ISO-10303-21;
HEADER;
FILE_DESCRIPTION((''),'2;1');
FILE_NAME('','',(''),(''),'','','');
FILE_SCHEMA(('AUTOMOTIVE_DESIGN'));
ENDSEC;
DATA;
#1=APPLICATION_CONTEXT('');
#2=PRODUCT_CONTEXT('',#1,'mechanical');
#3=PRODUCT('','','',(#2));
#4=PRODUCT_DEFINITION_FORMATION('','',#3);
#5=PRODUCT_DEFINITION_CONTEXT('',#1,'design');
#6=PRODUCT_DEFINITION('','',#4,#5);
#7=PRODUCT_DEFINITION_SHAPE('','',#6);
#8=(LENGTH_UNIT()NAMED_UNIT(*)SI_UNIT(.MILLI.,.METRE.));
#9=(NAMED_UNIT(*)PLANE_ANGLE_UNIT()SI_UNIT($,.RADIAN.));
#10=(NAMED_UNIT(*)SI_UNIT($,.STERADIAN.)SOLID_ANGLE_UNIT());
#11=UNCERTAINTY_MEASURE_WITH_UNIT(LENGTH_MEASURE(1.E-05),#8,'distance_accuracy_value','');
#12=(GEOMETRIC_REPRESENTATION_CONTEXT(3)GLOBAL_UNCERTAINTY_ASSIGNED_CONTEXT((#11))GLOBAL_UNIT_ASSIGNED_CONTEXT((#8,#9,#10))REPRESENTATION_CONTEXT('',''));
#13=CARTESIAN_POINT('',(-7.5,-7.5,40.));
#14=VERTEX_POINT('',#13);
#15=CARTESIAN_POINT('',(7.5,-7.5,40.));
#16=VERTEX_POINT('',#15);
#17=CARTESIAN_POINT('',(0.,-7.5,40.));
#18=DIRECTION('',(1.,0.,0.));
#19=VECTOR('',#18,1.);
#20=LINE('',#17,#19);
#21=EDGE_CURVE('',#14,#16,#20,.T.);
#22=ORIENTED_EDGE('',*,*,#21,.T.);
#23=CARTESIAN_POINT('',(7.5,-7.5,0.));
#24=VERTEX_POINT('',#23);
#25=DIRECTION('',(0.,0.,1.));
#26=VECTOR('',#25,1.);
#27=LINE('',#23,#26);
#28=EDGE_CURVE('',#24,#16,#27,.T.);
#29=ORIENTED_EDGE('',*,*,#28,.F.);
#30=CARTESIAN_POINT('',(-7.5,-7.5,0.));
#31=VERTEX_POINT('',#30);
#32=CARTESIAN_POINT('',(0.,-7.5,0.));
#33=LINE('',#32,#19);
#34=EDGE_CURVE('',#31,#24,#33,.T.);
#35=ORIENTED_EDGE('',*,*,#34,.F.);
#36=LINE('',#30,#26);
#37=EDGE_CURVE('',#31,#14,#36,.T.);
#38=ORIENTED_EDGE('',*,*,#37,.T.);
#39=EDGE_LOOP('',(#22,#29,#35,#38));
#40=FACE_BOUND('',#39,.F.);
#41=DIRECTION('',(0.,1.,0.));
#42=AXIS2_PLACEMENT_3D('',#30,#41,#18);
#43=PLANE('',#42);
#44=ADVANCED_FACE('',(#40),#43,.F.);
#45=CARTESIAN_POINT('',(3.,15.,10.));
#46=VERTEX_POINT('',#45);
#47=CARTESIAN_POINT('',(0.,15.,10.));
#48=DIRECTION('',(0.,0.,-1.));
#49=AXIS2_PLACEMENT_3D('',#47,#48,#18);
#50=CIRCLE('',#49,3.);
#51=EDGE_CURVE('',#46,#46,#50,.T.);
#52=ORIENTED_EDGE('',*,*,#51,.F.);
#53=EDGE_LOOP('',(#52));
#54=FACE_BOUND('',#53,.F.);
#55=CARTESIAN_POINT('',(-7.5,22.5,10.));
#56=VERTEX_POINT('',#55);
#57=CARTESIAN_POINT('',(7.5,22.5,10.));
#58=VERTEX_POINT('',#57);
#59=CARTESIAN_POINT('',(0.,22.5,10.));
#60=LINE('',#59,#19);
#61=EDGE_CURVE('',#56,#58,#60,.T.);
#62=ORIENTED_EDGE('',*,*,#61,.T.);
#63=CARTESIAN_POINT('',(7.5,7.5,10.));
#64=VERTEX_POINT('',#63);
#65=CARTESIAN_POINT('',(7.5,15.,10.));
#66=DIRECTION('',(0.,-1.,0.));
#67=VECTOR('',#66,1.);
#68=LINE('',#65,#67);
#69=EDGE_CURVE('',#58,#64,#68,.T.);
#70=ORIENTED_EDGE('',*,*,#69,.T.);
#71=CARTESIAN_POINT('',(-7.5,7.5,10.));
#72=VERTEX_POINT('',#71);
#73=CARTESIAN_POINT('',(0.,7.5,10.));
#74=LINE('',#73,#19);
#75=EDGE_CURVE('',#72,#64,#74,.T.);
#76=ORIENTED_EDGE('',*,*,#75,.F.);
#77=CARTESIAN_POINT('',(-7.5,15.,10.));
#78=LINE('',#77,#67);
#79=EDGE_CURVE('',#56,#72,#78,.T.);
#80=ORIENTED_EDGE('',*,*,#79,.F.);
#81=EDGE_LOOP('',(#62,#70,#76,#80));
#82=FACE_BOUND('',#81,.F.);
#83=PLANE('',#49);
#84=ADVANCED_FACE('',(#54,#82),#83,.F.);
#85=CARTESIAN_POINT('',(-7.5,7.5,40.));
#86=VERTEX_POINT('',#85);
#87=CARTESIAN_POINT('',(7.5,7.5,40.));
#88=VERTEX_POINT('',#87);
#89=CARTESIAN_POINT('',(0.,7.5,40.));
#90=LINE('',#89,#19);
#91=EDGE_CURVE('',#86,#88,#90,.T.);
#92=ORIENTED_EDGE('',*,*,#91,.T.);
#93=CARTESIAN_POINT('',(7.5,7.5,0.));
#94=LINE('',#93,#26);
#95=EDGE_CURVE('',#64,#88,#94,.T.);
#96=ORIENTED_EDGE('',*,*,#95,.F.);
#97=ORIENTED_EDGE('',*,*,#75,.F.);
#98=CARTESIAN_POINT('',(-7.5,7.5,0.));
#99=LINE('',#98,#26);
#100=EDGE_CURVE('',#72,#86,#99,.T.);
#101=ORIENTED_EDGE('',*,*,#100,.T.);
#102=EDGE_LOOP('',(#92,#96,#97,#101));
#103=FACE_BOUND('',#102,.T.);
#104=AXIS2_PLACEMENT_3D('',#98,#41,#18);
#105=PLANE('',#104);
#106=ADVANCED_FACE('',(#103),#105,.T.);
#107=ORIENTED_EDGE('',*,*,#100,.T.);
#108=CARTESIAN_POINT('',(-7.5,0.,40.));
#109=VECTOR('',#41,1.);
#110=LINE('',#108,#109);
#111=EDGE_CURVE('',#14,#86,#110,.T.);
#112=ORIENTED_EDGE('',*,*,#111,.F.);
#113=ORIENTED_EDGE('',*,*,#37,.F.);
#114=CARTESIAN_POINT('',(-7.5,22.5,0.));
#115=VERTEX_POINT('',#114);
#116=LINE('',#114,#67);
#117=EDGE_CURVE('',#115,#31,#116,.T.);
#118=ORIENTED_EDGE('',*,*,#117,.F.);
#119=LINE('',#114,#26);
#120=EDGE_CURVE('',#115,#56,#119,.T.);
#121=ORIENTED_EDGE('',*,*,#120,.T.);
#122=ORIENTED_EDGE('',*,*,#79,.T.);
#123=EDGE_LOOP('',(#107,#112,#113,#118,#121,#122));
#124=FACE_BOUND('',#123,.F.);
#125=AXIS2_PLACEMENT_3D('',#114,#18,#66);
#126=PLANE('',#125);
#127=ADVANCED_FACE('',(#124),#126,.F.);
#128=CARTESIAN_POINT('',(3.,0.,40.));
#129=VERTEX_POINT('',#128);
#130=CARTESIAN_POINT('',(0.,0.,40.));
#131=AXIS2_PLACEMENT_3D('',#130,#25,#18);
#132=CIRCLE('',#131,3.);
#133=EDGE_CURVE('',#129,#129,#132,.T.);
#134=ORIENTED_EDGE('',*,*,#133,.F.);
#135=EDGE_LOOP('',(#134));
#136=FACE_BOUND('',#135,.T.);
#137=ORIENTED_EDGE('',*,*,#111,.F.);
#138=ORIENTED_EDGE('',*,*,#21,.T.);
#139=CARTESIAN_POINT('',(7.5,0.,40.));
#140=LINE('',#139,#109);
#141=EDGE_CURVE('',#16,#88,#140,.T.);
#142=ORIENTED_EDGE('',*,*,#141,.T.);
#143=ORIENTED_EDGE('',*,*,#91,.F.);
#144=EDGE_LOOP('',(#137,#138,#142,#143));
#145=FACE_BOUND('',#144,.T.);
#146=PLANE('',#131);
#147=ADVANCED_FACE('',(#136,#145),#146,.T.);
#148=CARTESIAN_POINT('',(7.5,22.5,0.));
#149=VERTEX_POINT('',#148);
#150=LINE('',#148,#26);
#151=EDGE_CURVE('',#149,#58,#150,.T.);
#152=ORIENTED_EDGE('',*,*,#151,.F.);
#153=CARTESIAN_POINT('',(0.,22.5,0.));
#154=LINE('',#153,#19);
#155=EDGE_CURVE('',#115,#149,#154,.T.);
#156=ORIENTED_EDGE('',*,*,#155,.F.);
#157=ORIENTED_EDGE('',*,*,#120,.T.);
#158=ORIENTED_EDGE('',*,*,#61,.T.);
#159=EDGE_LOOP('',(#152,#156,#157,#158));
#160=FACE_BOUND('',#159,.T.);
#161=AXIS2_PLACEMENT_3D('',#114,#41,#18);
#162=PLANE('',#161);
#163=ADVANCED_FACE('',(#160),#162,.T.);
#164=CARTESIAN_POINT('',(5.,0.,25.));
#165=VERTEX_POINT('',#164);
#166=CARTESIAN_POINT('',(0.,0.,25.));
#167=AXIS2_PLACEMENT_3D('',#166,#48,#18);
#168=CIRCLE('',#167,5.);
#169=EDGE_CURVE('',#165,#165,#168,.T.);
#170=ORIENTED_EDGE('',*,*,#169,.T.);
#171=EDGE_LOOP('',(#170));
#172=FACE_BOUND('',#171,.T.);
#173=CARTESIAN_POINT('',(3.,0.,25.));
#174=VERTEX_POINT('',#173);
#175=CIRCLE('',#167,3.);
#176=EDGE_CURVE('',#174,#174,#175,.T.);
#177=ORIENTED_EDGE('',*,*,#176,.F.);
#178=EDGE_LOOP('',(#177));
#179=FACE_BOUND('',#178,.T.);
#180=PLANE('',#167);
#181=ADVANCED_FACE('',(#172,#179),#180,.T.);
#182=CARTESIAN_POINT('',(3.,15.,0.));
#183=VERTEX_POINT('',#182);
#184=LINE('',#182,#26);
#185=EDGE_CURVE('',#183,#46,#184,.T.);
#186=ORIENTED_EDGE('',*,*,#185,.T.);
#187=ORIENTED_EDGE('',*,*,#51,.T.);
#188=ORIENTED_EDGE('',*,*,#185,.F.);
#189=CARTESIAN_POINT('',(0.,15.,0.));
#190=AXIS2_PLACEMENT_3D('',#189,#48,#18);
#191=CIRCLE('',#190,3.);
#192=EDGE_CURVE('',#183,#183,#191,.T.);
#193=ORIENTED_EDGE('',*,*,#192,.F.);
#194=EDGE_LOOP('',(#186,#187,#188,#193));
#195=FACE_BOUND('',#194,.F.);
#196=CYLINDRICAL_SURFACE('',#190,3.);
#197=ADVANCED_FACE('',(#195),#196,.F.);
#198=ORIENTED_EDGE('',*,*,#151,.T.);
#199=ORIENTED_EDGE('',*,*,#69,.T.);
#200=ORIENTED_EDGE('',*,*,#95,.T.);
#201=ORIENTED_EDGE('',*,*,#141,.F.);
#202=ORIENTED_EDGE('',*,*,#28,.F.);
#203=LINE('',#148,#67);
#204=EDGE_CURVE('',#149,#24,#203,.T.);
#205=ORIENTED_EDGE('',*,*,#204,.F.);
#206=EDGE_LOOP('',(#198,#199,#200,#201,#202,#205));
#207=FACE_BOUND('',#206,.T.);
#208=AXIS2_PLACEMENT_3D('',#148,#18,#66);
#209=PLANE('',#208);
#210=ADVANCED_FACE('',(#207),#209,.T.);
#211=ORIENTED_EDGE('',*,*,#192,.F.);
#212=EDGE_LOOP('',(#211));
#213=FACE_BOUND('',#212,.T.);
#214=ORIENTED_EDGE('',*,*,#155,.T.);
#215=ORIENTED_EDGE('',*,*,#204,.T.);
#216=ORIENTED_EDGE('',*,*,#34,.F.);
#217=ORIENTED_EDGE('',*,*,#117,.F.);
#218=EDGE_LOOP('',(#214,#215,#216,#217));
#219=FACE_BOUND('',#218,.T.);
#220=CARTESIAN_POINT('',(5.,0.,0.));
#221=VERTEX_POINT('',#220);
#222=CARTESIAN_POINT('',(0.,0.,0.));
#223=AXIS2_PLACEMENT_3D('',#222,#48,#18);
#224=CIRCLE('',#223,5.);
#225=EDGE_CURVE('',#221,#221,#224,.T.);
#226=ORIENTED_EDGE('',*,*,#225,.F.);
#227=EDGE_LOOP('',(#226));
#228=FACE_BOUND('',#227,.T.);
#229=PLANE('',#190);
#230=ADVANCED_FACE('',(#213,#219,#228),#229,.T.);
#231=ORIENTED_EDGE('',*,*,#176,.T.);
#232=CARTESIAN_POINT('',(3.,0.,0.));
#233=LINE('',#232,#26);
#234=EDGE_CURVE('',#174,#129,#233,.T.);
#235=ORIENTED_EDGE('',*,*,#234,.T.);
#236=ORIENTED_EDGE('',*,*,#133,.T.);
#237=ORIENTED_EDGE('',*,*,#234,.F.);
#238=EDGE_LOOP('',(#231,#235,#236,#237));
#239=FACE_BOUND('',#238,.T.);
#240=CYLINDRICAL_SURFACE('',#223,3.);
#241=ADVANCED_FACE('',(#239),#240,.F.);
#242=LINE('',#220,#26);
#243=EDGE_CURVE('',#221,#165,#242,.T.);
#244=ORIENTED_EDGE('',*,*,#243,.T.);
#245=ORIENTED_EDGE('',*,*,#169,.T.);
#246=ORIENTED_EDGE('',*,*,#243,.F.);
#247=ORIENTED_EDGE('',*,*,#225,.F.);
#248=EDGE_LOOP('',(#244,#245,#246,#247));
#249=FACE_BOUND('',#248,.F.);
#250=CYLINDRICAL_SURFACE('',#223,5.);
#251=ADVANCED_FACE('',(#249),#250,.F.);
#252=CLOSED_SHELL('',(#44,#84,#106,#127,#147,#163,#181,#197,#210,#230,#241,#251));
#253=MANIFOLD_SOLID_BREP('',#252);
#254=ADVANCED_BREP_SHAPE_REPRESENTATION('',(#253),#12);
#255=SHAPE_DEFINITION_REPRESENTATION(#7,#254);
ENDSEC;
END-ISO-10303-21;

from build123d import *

# Parameters (mm, degrees)
F0_W     = 15
F0_H     = 15
F0_R     = 3
F1_DEPTH = 40
F2_W     = 15
F2_H     = 15
F2_R     = 3
F3_DEPTH = 10
F4_R     = 5
F5_DEPTH = 25


with BuildPart() as f1:
    # F0 (on Top) → F1 (new body)
    with BuildSketch(Plane.XY):
        Rectangle(F0_W, F0_H)
        Circle(F0_R, mode=Mode.SUBTRACT)
    extrude(amount=F1_DEPTH)

    # F2 (on face) → F3 (join)
    with BuildSketch(Plane(origin=(0, 0, 0), x_dir=(1, 0, 0), z_dir=(0, 0, -1))):
        with Locations((0, -15)):
            Rectangle(F2_W, F2_H)
        with Locations((0, -15)):
            Circle(F2_R, mode=Mode.SUBTRACT)
    extrude(amount=-F3_DEPTH)

    # F4 (on face) → F5 (cut)
    with BuildSketch(Plane(origin=(0, 0, 0), x_dir=(1, 0, 0), z_dir=(0, 0, -1))):
        Circle(F4_R)
    extrude(amount=-F5_DEPTH, mode=Mode.SUBTRACT)


solid = f1.part
